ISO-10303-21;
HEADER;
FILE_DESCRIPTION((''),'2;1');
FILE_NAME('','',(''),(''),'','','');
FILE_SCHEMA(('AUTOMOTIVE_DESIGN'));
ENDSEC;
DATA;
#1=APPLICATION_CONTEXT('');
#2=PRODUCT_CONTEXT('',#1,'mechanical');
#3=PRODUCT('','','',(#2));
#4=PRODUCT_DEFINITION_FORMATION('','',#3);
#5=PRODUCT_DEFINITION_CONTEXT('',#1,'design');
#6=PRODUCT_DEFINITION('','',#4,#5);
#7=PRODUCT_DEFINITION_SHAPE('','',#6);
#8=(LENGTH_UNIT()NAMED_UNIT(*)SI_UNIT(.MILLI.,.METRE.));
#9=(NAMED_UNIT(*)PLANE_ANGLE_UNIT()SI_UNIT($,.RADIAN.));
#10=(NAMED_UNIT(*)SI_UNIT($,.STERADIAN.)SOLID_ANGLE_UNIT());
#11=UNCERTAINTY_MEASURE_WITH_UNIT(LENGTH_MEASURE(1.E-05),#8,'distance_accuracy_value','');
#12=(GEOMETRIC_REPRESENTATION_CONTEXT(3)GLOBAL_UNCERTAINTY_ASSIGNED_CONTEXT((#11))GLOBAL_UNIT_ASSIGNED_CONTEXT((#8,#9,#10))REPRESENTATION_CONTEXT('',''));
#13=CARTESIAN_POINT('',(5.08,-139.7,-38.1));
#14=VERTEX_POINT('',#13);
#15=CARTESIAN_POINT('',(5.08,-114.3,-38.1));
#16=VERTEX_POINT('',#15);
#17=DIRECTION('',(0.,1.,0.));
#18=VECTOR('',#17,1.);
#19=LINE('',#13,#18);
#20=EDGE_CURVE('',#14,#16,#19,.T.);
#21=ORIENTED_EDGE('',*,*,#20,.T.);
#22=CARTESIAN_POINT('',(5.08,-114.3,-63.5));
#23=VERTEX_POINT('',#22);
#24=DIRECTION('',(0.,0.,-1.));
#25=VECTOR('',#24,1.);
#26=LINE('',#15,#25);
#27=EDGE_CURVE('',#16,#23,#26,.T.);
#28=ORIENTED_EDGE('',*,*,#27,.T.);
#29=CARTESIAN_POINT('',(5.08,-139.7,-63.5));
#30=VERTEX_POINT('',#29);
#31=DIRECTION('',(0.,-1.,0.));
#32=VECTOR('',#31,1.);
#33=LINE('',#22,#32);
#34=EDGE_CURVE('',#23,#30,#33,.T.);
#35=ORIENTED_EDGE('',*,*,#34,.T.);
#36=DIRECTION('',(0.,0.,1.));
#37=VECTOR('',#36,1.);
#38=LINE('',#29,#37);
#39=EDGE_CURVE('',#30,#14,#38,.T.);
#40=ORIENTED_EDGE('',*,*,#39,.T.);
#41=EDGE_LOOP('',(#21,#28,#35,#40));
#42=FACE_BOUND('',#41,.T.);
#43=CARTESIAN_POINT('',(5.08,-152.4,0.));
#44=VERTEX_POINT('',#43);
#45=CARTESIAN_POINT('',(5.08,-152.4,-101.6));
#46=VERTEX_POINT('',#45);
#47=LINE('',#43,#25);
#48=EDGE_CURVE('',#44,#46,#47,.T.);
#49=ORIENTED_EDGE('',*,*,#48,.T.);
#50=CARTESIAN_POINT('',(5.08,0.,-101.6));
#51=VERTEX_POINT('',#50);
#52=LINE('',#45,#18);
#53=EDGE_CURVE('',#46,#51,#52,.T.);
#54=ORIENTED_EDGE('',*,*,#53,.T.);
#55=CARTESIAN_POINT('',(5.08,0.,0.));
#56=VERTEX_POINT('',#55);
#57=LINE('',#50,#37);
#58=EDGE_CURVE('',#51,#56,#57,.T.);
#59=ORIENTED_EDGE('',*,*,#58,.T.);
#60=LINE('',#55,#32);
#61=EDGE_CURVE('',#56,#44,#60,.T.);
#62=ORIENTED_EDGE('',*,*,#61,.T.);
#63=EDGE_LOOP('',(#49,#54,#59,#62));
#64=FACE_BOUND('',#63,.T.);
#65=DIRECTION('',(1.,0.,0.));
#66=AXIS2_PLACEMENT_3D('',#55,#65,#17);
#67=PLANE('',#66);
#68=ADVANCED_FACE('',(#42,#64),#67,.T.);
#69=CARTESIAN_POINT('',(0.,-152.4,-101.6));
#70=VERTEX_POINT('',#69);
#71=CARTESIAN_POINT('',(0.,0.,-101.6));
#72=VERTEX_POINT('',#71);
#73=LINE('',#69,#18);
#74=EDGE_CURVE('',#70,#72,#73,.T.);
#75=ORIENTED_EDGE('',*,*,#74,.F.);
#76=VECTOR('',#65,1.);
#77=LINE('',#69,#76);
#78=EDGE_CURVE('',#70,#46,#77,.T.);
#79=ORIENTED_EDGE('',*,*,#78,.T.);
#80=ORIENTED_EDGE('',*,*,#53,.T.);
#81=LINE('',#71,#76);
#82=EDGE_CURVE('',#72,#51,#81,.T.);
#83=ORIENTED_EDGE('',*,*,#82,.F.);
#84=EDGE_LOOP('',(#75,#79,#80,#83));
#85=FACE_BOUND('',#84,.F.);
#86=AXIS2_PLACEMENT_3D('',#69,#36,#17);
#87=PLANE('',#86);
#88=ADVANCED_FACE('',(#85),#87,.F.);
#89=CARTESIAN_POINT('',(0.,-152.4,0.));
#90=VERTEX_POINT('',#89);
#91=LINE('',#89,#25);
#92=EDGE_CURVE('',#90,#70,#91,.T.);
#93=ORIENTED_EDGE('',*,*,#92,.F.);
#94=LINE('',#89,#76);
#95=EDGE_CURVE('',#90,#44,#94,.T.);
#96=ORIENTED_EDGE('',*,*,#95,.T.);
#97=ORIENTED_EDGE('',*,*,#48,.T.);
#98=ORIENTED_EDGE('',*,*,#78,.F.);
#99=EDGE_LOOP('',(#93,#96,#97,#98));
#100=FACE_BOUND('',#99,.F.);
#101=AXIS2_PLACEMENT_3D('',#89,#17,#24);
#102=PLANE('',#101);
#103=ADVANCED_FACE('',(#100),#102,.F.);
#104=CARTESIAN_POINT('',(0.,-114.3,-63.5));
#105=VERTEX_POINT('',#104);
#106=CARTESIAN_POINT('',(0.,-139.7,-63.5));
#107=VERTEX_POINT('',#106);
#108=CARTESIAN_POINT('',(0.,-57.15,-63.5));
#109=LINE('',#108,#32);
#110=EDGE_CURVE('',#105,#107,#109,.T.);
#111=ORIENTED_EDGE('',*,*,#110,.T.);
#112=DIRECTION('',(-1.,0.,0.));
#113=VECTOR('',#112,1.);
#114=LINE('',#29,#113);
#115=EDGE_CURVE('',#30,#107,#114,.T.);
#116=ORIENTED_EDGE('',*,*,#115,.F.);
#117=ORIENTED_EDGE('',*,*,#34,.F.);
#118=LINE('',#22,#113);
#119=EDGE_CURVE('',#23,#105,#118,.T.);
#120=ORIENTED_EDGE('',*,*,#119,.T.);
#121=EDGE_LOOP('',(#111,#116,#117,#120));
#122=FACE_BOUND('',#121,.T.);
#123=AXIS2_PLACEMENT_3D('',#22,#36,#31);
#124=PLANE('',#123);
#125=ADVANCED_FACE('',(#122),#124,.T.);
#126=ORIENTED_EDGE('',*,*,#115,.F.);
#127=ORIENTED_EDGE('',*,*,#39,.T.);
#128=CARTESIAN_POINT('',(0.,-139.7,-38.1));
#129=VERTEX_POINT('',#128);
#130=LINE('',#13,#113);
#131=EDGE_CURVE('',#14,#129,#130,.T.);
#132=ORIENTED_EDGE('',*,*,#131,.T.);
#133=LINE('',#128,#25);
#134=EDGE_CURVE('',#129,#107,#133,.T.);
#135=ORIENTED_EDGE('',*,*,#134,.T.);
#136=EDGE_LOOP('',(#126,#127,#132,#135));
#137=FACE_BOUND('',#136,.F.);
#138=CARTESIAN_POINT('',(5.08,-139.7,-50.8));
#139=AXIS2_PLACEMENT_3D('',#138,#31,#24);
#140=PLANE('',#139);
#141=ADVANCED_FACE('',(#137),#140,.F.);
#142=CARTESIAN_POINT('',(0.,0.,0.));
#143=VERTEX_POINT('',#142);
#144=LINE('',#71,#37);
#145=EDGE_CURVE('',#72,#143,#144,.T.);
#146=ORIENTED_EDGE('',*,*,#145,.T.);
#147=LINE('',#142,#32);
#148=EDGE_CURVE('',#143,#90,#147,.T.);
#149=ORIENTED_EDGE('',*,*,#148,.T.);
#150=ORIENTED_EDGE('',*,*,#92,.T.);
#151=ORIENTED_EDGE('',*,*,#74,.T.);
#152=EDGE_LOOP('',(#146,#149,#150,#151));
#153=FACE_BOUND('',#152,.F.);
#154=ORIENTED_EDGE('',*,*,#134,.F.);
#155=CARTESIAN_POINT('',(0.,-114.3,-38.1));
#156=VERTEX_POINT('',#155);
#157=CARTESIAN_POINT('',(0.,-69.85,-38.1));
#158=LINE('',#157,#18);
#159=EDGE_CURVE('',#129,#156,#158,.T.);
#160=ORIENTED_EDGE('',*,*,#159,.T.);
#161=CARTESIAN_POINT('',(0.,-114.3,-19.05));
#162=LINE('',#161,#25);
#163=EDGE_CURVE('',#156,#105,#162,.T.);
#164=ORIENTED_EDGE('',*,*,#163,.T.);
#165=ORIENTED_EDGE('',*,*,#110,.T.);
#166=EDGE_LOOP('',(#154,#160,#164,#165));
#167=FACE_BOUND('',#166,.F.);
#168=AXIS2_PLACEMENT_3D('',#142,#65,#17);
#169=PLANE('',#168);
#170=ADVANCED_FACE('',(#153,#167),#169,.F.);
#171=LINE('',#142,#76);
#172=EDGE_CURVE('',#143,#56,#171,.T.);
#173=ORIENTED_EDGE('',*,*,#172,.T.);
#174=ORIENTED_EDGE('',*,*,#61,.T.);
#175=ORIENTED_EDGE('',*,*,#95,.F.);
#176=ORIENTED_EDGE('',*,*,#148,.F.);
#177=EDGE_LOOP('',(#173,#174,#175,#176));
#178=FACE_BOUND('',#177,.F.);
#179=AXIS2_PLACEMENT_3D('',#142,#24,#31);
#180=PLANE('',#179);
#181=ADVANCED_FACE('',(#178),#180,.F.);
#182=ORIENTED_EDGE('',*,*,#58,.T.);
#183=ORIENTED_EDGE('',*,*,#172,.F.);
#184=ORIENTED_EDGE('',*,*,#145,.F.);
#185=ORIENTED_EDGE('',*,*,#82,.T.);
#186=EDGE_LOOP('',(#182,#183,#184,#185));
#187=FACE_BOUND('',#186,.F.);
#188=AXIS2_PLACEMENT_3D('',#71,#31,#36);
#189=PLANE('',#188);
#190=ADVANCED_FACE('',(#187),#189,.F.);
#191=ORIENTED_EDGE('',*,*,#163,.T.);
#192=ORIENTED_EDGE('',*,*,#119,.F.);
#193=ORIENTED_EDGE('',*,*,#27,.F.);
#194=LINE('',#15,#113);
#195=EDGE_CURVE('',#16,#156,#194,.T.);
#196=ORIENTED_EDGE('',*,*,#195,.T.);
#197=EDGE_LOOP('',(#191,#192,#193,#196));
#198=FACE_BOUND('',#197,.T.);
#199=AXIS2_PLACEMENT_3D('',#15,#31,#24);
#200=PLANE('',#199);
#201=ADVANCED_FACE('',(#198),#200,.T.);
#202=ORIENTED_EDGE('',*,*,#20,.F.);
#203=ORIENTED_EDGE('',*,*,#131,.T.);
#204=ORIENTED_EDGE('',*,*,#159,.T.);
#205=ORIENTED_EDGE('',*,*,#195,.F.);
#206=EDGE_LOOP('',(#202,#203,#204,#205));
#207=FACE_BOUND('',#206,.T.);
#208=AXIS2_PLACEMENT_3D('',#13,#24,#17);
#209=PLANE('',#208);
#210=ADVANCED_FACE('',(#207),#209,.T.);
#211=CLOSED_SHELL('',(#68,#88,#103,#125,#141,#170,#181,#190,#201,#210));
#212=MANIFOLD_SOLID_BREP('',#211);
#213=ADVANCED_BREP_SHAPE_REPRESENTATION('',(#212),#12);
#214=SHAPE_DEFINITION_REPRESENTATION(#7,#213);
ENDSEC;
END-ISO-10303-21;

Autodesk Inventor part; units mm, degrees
ref_plane "YZ Plane" through (0, 0, 0) normal (1, 0, 0) x (0, 1, 0)
ref_plane "XZ Plane" through (0, 0, 0) normal (0, 1, 0) x (-1, 0, 0)
ref_plane "XY Plane" through (0, 0, 0) normal (0, 0, 1) x (1, 0, 0)
sketch "Sketch2" plane through (0, 0, 0) normal (1, 0, 0) x (0, 1, 0)
  line L0 (0, 0) -> (-152.4, 0)
  line L1 (-152.4, 0) -> (-152.4, -101.6)
  line L2 (-152.4, -101.6) -> (0, -101.6)
  line L3 (0, -101.6) -> (0, 0)
  dimension "d4" = 152.4
  dimension "d5" = 101.6
extrude "Extrusion2" add sketch "Sketch2" along normal blind 5.08
sketch "Sketch4" plane through (5.08, 0, 0) normal (1, 0, 0) x (0, 0, -1)
  line L0 (0, -152.4) -> (101.6, -152.4) projected
  line L1 (50.8, -139.7) -> (63.5, -139.7)
  line L2 (63.5, -139.7) -> (38.1, -139.7)
  line L3 (38.1, -139.7) -> (38.1, -114.3)
  line L4 (38.1, -114.3) -> (63.5, -114.3)
  line L5 (63.5, -114.3) -> (63.5, -139.7)
  point P0 (0, 0)
  dimension "d13" = 12.7
  dimension "d14" = 25.4
  dimension "d15" = 25.4
extrude "Extrusion4" cut sketch "Sketch4" against normal blind 25.4
properties part number "Left wall"
